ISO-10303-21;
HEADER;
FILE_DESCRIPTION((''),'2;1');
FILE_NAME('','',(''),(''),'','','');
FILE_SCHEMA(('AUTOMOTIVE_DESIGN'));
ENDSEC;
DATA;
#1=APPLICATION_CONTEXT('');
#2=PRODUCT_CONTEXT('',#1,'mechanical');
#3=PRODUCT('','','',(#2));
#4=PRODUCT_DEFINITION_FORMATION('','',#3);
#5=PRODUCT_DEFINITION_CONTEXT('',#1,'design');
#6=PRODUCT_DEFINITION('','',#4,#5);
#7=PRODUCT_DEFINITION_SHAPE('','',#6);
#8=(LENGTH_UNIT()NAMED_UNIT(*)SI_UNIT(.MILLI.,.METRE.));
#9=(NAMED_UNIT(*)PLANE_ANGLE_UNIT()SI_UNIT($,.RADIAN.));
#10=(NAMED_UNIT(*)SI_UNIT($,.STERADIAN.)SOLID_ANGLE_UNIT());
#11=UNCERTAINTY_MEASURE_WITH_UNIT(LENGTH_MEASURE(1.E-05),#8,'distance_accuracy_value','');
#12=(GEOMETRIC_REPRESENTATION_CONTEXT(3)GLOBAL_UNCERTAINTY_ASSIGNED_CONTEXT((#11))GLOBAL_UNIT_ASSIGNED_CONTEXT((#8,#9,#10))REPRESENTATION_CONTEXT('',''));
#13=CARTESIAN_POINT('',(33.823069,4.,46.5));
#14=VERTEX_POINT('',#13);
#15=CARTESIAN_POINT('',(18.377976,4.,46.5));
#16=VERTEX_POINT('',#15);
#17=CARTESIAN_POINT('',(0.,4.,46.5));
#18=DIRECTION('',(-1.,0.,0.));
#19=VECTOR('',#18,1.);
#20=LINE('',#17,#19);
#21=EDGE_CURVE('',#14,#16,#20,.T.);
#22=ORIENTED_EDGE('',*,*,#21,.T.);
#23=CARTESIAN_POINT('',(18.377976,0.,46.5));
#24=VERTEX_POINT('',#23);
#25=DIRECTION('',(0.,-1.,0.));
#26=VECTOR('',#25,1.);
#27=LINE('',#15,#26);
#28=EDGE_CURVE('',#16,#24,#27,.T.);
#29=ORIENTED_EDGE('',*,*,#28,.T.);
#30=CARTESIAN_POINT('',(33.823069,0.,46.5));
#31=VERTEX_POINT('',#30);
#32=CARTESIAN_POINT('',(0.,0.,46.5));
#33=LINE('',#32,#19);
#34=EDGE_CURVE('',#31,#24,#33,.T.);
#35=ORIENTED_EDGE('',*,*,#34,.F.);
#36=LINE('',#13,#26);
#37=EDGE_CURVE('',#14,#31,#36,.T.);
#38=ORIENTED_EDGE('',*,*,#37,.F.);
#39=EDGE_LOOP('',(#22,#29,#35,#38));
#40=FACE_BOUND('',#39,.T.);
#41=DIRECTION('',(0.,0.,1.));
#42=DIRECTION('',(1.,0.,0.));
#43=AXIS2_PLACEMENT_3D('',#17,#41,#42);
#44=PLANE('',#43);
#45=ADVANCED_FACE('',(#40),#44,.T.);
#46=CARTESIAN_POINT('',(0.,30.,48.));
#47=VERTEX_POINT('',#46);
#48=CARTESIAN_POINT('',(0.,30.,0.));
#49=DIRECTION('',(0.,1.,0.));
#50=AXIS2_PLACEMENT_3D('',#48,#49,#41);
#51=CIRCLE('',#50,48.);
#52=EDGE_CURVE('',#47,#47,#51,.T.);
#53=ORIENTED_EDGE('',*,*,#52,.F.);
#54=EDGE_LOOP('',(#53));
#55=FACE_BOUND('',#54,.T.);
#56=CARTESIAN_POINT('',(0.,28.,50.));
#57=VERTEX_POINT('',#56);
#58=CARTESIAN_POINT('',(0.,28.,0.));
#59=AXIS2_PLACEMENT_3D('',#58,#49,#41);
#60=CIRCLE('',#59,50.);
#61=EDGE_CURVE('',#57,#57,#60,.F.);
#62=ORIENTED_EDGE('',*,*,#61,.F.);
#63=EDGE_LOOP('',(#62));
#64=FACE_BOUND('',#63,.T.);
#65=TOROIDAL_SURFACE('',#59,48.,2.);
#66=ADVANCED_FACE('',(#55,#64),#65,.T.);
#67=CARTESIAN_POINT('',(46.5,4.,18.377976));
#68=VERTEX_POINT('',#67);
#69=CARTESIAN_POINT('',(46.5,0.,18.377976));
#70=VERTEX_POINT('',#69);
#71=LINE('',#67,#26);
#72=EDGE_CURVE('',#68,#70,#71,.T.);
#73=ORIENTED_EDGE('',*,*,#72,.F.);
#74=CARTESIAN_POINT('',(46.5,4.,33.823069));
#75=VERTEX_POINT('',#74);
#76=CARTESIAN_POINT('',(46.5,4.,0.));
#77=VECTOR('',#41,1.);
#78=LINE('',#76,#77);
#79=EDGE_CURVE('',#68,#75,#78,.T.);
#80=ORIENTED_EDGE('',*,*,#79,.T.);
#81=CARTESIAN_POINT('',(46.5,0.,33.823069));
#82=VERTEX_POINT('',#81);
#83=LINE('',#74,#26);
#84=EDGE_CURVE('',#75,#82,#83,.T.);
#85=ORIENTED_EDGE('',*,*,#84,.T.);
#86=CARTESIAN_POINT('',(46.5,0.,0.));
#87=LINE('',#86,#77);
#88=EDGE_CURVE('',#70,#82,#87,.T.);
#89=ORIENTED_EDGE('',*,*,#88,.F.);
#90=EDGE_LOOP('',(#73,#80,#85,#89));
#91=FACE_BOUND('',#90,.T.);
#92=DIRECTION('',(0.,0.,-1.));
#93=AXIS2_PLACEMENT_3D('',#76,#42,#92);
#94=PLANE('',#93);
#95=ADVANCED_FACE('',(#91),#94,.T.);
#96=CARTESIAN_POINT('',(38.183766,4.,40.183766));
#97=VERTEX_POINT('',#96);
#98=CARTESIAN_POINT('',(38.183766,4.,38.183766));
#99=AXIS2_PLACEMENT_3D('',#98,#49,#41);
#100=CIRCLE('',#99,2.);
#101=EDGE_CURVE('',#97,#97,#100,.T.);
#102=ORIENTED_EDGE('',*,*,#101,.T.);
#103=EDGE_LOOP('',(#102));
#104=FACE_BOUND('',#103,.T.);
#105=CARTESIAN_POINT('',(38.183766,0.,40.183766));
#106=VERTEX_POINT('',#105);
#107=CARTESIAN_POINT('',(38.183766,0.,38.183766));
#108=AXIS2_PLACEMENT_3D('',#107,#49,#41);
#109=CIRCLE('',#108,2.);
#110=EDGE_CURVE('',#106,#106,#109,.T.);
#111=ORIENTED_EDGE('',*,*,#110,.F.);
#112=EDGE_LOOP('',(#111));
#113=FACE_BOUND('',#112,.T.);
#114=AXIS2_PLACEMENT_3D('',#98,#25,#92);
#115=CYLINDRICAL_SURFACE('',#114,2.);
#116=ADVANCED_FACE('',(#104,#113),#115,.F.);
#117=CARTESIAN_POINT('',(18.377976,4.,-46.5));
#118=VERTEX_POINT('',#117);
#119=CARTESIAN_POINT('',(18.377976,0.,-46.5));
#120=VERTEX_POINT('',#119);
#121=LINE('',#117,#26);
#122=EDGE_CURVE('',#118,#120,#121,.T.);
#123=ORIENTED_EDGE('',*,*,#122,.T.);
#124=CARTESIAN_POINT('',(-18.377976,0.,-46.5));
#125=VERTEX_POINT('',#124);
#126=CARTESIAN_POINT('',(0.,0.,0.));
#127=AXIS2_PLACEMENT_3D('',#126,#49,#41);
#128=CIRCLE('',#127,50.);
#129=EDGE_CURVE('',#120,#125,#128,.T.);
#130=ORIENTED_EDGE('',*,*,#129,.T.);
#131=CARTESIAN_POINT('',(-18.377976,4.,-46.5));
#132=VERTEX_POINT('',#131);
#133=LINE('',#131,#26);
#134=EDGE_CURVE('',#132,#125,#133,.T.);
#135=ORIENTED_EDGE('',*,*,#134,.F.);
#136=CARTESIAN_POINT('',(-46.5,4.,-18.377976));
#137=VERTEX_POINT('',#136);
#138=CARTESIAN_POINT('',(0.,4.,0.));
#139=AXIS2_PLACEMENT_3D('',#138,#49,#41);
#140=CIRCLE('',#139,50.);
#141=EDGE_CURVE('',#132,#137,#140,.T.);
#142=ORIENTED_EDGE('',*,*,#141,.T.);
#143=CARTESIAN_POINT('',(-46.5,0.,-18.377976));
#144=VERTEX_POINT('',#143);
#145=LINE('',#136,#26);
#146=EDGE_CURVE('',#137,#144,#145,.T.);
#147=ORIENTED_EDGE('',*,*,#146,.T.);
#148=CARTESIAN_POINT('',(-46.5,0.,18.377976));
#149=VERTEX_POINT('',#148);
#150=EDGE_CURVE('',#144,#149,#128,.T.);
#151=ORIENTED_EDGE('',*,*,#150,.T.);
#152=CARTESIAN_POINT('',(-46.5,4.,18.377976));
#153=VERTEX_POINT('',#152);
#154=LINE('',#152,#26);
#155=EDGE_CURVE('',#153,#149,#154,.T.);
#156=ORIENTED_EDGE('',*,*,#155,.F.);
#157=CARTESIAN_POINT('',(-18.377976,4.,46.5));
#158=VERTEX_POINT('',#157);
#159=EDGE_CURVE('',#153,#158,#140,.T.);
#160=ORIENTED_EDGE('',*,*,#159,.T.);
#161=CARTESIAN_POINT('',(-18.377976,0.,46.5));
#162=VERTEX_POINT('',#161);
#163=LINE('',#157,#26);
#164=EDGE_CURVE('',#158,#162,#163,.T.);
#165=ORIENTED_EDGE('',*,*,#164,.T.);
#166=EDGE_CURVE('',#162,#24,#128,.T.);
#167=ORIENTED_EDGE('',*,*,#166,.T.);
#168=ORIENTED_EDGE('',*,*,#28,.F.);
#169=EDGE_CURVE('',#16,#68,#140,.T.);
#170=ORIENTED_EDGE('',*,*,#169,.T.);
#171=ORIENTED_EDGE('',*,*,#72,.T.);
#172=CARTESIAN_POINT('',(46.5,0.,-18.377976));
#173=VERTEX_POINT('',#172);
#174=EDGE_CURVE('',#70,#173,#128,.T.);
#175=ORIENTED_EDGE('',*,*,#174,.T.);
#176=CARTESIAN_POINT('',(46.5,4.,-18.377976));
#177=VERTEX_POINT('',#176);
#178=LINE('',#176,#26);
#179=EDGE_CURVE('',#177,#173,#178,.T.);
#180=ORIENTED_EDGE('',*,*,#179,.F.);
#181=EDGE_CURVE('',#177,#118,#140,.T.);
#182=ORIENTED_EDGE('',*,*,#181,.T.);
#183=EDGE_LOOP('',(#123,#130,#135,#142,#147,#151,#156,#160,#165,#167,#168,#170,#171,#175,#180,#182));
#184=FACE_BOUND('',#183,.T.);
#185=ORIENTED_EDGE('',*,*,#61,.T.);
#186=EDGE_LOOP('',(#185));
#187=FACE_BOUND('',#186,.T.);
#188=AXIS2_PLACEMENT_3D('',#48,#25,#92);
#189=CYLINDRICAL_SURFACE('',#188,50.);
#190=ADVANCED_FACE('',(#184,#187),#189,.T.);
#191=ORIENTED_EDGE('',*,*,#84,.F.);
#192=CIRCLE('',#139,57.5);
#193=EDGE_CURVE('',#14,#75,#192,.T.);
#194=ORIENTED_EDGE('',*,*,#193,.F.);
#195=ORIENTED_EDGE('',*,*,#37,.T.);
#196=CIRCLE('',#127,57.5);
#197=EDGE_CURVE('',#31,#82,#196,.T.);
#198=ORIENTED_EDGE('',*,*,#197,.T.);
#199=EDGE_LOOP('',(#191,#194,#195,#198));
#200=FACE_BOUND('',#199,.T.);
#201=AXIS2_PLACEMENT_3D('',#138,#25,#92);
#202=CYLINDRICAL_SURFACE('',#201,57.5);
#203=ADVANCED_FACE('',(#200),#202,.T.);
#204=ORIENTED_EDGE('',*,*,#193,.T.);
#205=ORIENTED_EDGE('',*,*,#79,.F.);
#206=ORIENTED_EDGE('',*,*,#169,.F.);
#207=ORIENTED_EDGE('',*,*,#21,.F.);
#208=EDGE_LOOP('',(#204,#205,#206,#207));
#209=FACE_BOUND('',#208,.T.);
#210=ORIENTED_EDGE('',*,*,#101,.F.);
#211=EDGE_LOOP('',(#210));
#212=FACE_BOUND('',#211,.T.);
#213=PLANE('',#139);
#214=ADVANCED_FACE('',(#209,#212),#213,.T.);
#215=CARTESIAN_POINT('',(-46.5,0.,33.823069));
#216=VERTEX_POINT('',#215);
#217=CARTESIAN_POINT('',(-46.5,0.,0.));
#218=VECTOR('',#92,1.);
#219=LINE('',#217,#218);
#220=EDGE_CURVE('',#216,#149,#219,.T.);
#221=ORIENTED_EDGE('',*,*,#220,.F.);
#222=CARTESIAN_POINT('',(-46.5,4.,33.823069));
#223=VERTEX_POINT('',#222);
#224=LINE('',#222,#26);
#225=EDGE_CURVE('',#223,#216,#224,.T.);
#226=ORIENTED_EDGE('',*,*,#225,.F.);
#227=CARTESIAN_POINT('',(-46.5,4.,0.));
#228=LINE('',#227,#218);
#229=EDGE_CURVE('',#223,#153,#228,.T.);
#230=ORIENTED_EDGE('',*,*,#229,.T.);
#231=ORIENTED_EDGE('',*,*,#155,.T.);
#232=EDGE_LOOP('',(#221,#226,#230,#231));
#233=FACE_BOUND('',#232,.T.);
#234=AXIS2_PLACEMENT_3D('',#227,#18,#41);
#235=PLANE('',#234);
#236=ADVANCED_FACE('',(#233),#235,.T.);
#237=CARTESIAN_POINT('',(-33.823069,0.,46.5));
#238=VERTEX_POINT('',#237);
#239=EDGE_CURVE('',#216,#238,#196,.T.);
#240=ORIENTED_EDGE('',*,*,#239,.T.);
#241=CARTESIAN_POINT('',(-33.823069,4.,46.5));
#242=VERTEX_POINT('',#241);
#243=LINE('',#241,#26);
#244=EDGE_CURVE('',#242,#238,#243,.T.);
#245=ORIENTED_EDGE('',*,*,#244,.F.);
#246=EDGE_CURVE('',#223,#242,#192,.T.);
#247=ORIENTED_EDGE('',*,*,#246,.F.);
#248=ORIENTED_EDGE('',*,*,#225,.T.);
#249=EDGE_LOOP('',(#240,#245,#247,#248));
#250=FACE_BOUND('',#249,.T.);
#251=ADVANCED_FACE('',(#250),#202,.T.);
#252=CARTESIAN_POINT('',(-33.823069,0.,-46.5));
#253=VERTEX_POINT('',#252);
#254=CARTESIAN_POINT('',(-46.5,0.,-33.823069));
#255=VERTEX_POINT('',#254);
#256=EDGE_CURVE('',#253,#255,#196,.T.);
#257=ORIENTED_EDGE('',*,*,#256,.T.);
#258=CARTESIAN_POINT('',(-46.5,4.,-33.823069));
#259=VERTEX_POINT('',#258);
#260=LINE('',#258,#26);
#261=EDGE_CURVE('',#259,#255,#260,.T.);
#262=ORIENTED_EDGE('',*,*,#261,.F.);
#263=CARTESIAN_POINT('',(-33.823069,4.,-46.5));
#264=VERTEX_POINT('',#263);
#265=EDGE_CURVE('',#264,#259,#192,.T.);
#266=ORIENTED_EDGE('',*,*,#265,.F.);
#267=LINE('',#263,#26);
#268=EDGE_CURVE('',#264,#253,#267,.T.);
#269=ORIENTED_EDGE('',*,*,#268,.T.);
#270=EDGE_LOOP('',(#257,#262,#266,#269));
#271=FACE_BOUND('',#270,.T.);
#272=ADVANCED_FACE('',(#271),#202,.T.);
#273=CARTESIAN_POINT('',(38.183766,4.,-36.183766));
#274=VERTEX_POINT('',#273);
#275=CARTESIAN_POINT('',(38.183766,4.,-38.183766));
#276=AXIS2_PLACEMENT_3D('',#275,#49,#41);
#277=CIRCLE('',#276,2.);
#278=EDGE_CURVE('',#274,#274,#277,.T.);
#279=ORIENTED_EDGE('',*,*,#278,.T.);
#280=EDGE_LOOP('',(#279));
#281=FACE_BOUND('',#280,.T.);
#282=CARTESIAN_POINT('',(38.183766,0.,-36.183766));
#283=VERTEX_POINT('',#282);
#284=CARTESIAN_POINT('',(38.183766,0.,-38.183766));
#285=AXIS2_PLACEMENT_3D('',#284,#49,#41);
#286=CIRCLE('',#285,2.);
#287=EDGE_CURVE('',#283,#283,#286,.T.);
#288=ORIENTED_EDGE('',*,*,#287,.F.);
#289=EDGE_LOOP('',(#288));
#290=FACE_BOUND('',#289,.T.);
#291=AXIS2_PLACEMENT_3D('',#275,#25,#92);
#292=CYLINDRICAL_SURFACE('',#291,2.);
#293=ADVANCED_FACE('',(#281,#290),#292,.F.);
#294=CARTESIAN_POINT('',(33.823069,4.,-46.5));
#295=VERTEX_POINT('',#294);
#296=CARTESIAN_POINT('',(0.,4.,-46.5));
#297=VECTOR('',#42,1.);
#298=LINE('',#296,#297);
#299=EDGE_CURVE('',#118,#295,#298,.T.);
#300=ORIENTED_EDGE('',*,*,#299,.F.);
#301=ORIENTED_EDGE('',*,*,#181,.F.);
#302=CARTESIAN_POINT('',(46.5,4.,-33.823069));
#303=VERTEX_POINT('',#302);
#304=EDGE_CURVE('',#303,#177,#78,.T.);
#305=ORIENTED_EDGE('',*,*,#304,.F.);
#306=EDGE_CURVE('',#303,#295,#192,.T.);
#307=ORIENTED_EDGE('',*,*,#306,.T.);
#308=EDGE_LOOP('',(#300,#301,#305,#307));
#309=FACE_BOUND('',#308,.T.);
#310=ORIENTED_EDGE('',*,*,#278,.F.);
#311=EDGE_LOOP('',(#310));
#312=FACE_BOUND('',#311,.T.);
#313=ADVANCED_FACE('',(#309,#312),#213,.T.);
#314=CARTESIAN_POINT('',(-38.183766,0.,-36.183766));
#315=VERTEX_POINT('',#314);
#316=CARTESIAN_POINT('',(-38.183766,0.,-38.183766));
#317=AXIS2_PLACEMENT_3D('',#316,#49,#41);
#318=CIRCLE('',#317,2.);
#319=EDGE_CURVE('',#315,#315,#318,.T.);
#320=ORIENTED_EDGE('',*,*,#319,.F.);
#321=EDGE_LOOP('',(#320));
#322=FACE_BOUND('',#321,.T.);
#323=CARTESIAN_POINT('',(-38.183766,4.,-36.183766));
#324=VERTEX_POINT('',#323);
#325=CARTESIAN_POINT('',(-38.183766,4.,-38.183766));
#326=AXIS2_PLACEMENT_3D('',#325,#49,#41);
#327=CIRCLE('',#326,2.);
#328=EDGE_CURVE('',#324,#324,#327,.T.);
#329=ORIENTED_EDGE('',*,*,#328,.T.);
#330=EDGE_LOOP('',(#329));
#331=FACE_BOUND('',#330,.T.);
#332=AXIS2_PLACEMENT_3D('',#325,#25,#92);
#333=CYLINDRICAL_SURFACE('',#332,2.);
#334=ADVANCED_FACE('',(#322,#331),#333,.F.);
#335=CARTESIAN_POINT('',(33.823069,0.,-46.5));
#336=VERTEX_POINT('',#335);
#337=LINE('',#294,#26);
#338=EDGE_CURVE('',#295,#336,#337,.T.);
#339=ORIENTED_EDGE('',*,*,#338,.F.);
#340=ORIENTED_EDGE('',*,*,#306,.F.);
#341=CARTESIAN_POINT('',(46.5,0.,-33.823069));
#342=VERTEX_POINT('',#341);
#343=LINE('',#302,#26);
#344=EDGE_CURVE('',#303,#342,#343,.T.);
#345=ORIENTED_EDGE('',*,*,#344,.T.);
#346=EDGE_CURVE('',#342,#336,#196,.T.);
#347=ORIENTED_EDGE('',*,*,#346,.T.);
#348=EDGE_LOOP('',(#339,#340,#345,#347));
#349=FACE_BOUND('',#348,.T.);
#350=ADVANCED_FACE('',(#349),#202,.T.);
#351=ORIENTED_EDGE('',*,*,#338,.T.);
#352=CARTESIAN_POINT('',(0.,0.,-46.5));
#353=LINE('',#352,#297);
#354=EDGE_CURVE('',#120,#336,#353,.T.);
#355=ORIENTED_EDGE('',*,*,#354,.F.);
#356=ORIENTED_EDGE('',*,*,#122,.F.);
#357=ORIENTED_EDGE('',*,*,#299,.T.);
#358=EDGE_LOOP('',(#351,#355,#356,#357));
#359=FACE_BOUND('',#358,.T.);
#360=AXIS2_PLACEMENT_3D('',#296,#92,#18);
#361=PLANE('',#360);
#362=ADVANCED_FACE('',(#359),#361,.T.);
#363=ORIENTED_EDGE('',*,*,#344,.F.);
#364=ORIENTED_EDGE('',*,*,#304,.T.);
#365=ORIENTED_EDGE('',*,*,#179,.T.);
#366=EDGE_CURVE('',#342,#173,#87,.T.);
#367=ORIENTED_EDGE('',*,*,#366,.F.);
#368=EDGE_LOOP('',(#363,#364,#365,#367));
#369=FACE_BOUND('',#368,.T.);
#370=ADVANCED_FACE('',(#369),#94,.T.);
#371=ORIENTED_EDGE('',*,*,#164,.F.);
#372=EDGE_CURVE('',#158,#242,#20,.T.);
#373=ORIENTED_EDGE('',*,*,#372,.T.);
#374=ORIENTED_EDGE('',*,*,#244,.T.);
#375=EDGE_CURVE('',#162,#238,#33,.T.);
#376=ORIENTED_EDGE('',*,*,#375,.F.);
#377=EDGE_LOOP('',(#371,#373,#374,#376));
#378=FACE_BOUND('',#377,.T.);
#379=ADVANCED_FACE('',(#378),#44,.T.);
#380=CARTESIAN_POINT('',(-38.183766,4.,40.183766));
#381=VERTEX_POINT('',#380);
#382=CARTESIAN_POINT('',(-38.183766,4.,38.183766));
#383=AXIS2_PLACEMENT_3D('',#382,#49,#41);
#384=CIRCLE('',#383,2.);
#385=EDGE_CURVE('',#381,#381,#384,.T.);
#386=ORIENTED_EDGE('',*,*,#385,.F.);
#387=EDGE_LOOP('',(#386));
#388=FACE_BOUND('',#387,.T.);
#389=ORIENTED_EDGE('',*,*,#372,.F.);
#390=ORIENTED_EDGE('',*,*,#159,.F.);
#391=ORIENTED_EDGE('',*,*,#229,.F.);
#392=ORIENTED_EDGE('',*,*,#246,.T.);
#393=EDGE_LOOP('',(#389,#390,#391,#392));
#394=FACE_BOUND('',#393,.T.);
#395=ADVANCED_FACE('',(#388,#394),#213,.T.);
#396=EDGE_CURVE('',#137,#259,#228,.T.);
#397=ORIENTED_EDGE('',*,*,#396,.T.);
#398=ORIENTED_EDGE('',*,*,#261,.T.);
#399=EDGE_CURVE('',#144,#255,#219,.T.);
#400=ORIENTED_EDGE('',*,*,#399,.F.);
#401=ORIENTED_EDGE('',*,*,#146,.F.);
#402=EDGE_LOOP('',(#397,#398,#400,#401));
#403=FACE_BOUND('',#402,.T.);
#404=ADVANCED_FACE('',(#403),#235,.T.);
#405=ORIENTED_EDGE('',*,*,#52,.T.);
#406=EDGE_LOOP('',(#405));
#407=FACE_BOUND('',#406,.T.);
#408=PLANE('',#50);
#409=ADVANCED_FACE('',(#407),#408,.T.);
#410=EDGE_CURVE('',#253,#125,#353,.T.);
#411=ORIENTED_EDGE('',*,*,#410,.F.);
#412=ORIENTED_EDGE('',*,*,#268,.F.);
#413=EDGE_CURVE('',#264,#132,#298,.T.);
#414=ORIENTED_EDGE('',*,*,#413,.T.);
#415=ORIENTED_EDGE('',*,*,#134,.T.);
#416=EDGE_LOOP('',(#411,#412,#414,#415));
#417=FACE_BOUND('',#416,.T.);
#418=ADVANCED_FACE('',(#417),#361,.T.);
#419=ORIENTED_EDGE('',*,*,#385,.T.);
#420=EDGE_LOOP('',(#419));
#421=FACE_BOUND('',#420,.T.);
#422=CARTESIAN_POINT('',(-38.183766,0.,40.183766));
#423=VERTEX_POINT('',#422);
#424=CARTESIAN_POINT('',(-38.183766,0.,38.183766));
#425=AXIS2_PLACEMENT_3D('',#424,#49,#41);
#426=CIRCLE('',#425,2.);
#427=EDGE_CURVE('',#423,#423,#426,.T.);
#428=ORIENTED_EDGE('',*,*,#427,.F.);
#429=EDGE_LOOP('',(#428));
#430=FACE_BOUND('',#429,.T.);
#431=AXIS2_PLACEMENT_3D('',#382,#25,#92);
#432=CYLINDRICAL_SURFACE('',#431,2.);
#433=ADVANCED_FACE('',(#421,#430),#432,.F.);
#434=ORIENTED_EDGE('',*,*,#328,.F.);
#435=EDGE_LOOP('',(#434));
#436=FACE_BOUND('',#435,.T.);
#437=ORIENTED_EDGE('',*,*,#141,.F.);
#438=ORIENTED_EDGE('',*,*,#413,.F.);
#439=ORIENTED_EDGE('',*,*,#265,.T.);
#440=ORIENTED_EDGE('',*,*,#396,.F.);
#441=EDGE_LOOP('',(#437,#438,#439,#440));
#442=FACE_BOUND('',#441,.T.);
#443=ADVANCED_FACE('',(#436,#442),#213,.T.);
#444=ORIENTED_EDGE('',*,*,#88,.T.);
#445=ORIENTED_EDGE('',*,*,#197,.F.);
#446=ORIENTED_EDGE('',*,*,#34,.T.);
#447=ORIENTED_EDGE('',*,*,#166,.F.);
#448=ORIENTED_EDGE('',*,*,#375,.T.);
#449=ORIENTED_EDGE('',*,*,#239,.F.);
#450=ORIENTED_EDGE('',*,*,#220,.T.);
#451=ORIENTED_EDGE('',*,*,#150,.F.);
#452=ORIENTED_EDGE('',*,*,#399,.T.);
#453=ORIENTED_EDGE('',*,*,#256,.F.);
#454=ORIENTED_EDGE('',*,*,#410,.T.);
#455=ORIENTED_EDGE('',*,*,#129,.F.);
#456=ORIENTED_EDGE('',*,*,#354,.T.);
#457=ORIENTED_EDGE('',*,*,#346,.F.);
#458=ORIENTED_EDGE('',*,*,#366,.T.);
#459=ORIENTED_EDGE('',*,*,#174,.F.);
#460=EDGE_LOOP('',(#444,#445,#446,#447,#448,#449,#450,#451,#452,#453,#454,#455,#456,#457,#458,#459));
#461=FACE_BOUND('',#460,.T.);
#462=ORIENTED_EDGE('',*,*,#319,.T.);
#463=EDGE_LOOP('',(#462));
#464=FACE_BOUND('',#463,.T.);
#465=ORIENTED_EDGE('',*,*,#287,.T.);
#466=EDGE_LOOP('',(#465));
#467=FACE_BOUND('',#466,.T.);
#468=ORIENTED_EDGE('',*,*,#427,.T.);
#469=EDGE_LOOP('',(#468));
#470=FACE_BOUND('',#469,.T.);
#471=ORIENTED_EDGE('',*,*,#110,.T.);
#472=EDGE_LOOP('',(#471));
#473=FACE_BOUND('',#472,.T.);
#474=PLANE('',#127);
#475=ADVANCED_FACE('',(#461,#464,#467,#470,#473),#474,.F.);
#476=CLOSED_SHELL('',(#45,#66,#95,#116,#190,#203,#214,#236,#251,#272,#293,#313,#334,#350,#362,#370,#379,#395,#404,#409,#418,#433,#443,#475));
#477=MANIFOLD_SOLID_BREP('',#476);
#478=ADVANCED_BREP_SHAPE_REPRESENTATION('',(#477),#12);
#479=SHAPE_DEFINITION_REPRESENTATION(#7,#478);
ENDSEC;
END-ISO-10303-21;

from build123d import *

# Parameters (mm, degrees)
SKETCH1_R           = 50
BOSS_EXTRUDE1_DEPTH = 30
SKETCH1_3_R         = 2
BOSS_EXTRUDE2_DEPTH = 4
FILLET2_R           = 2


with BuildPart() as part:
    # Sketch1 → Boss-Extrude1 (new body)
    with BuildSketch(Plane(origin=(0, 0, 0), x_dir=(1, 0, 0), z_dir=(0, 1, 0))):
        Circle(SKETCH1_R)
    extrude(amount=BOSS_EXTRUDE1_DEPTH)

    # Sketch1<3> → Boss-Extrude2 (add)
    # profile 1 of 4: a face of its own
    with BuildSketch(Plane(origin=(0, 0, 0), x_dir=(1, 0, 0), z_dir=(0, 1, 0))):
        with BuildLine():
            Line((-33.823069051, -46.5), (-18.377975949, -46.5))
            ThreePointArc((-18.377975949, -46.5), (-35.355339059, -35.355339059), (-46.5, -18.377975949))
            Line((-46.5, -18.377975949), (-46.5, -33.823069051))
            ThreePointArc((-46.5, -33.823069051), (-40.658639918, -40.658639918), (-33.823069051, -46.5))
        make_face()
        with Locations((-38.183766184, -38.183766184)):
            Circle(SKETCH1_3_R, mode=Mode.SUBTRACT)
    # profile 2 of 4: a face of its own
    with BuildSketch(Plane(origin=(0, 0, 0), x_dir=(1, 0, 0), z_dir=(0, 1, 0))):
        with BuildLine():
            ThreePointArc((46.5, -18.377975949), (35.355339059, -35.355339059), (18.377975949, -46.5))
            Line((18.377975949, -46.5), (33.823069051, -46.5))
            ThreePointArc((33.823069051, -46.5), (40.658639918, -40.658639918), (46.5, -33.823069051))
            Line((46.5, -33.823069051), (46.5, -18.377975949))
        make_face()
        with Locations((38.183766184, -38.183766184)):
            Circle(SKETCH1_3_R, mode=Mode.SUBTRACT)
    # profile 3 of 4: a face of its own
    with BuildSketch(Plane(origin=(0, 0, 0), x_dir=(1, 0, 0), z_dir=(0, 1, 0))):
        with BuildLine():
            Line((-46.5, 33.823069051), (-46.5, 18.377975949))
            ThreePointArc((-46.5, 18.377975949), (-35.355339059, 35.355339059), (-18.377975949, 46.5))
            Line((-18.377975949, 46.5), (-33.823069051, 46.5))
            ThreePointArc((-33.823069051, 46.5), (-40.658639918, 40.658639918), (-46.5, 33.823069051))
        make_face()
        with Locations((-38.183766184, 38.183766184)):
            Circle(SKETCH1_3_R, mode=Mode.SUBTRACT)
    # profile 4 of 4: a face of its own
    with BuildSketch(Plane(origin=(0, 0, 0), x_dir=(1, 0, 0), z_dir=(0, 1, 0))):
        with BuildLine():
            Line((33.823069051, 46.5), (18.377975949, 46.5))
            ThreePointArc((18.377975949, 46.5), (35.355339059, 35.355339059), (46.5, 18.377975949))
            Line((46.5, 18.377975949), (46.5, 33.823069051))
            ThreePointArc((46.5, 33.823069051), (40.658639918, 40.658639918), (33.823069051, 46.5))
        make_face()
        with Locations((38.183766184, 38.183766184)):
            Circle(SKETCH1_3_R, mode=Mode.SUBTRACT)
    extrude(amount=BOSS_EXTRUDE2_DEPTH)

    # Fillet2
    fillet2_edges = [part.edges().sort_by_distance(p)[0] for p in [
        (-50, 30, 0),
    ]]
    fillet(fillet2_edges, radius=FILLET2_R)


solid = part.part
